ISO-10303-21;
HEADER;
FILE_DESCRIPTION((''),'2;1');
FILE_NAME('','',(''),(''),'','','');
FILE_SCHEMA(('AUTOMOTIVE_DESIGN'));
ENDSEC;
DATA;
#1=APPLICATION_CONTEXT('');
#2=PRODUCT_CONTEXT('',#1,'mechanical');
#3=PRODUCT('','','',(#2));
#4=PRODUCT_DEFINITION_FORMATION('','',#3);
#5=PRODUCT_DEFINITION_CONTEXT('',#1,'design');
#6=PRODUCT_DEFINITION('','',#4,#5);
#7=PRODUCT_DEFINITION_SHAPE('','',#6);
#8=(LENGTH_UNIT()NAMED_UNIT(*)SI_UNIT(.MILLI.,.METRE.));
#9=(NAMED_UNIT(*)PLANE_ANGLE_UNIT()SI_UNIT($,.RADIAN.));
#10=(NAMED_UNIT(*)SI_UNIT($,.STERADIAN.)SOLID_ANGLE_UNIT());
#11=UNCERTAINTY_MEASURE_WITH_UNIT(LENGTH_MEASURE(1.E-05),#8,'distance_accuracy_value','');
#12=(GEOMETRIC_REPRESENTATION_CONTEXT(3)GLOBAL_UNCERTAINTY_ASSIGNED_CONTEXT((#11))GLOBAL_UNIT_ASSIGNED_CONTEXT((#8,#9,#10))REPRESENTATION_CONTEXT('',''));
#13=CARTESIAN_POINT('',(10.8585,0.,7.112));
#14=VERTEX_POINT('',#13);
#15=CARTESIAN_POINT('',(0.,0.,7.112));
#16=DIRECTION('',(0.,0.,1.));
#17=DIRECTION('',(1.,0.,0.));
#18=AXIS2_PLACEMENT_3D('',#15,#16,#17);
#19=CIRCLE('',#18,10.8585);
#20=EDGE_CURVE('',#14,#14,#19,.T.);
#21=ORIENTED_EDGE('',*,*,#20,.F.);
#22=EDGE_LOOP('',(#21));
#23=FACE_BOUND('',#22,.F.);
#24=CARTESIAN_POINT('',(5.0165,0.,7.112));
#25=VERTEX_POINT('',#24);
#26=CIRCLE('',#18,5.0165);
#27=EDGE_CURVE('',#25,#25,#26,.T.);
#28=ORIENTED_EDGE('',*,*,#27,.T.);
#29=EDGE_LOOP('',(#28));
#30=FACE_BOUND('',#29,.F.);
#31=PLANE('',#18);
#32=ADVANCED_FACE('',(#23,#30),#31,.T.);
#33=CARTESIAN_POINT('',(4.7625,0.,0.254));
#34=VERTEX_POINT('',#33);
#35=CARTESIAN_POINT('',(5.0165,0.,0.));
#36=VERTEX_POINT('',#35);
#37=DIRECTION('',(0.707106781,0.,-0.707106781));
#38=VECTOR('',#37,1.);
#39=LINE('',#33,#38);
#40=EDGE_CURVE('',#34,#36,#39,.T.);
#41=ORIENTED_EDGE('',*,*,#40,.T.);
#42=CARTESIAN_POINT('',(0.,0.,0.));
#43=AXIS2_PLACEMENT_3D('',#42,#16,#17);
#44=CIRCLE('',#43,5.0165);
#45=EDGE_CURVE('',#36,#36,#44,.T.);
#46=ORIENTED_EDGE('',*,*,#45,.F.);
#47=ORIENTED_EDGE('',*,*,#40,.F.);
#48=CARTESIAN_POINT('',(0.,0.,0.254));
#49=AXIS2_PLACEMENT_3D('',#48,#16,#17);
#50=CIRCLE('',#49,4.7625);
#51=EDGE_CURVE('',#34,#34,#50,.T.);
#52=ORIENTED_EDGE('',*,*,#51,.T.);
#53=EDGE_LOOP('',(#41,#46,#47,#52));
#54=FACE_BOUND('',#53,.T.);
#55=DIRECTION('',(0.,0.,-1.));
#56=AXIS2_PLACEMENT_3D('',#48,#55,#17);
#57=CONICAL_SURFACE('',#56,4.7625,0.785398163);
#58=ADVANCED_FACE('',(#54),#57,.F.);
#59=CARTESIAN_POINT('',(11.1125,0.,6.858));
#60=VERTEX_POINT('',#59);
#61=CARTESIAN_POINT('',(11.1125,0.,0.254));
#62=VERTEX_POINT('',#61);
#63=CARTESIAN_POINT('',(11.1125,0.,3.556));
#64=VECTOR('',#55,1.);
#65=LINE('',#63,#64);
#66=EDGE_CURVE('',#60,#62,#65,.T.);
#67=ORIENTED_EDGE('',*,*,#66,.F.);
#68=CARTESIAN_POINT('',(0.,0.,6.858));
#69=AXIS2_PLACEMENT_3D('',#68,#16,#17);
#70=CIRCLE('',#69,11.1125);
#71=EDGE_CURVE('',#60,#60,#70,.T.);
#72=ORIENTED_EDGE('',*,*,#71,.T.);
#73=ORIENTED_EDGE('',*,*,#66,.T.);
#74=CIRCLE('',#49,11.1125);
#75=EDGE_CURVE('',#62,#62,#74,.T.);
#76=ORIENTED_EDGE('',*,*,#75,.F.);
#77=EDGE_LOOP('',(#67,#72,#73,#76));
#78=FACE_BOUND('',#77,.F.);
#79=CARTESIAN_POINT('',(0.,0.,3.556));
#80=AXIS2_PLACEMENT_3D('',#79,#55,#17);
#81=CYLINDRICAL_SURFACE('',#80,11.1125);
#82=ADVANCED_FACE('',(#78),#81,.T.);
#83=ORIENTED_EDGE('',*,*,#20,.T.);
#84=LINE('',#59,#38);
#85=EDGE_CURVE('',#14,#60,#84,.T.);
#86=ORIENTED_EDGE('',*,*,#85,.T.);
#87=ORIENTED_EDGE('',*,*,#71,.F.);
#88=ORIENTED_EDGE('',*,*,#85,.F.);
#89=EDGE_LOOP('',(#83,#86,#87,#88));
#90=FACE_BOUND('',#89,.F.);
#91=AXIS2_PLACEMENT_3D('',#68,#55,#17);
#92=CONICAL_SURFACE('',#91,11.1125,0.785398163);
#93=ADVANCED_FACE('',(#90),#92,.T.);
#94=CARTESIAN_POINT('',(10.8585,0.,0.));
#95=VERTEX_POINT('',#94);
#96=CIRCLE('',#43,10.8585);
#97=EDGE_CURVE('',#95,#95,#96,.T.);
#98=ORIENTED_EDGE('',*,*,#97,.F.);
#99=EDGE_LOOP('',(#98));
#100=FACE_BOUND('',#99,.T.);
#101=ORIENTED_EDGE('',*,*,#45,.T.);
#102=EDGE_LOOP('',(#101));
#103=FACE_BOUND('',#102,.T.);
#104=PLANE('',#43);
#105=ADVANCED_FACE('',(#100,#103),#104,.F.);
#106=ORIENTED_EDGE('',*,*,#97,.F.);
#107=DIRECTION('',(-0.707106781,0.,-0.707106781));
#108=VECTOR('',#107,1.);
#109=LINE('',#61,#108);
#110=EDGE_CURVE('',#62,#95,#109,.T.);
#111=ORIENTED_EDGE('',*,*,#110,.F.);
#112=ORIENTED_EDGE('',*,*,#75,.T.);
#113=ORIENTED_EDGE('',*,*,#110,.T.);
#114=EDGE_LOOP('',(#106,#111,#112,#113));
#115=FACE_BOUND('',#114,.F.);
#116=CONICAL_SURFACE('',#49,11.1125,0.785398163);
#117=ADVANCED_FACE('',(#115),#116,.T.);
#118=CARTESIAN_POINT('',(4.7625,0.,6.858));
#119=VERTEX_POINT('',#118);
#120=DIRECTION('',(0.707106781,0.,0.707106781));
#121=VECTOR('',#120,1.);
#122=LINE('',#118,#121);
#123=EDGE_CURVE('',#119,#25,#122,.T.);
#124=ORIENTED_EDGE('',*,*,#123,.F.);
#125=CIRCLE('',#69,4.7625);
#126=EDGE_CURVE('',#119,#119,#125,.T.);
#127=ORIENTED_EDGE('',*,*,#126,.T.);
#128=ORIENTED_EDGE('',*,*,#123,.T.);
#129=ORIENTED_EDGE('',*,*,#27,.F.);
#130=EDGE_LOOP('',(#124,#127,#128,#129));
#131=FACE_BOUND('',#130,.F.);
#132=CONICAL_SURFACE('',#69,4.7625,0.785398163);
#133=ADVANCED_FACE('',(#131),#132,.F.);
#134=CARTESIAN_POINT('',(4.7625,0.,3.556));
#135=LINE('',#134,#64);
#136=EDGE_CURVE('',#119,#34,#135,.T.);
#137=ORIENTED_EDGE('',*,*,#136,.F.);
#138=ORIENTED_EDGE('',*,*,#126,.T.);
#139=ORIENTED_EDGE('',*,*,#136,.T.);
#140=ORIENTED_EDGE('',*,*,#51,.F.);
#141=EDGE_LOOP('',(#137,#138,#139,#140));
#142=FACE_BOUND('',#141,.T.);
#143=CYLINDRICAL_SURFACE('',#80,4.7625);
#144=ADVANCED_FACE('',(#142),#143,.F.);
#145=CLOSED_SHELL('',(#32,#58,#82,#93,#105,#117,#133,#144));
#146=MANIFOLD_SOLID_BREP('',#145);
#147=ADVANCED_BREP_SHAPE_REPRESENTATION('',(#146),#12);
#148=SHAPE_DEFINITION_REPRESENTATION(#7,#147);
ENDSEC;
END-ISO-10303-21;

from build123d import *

# Parameters (mm, degrees)
SKETCH1_W     = 6.35
SKETCH1_H     = 7.112
CHAMFER1_SIZE = 0.254


with BuildPart() as part:
    # Sketch1 → Revolve1 (revolve)
    with BuildSketch(Plane(origin=(0, 0, 0), x_dir=(1, 0, 0), z_dir=(0, 1, 0))):
        with Locations((7.9375, -3.556)):
            Rectangle(SKETCH1_W, SKETCH1_H)
    revolve(axis=Axis((0, 0, 0), (0, 0, 1)))

    # Chamfer1
    chamfer1_edges = [part.edges().sort_by_distance(p)[0] for p in [
        (-11.1125, 0, 0),
        (-11.1125, 0, 7.112),
        (-4.7625, 0, 7.112),
        (-4.7625, 0, 0),
    ]]
    chamfer(chamfer1_edges, length=CHAMFER1_SIZE)


solid = part.part
